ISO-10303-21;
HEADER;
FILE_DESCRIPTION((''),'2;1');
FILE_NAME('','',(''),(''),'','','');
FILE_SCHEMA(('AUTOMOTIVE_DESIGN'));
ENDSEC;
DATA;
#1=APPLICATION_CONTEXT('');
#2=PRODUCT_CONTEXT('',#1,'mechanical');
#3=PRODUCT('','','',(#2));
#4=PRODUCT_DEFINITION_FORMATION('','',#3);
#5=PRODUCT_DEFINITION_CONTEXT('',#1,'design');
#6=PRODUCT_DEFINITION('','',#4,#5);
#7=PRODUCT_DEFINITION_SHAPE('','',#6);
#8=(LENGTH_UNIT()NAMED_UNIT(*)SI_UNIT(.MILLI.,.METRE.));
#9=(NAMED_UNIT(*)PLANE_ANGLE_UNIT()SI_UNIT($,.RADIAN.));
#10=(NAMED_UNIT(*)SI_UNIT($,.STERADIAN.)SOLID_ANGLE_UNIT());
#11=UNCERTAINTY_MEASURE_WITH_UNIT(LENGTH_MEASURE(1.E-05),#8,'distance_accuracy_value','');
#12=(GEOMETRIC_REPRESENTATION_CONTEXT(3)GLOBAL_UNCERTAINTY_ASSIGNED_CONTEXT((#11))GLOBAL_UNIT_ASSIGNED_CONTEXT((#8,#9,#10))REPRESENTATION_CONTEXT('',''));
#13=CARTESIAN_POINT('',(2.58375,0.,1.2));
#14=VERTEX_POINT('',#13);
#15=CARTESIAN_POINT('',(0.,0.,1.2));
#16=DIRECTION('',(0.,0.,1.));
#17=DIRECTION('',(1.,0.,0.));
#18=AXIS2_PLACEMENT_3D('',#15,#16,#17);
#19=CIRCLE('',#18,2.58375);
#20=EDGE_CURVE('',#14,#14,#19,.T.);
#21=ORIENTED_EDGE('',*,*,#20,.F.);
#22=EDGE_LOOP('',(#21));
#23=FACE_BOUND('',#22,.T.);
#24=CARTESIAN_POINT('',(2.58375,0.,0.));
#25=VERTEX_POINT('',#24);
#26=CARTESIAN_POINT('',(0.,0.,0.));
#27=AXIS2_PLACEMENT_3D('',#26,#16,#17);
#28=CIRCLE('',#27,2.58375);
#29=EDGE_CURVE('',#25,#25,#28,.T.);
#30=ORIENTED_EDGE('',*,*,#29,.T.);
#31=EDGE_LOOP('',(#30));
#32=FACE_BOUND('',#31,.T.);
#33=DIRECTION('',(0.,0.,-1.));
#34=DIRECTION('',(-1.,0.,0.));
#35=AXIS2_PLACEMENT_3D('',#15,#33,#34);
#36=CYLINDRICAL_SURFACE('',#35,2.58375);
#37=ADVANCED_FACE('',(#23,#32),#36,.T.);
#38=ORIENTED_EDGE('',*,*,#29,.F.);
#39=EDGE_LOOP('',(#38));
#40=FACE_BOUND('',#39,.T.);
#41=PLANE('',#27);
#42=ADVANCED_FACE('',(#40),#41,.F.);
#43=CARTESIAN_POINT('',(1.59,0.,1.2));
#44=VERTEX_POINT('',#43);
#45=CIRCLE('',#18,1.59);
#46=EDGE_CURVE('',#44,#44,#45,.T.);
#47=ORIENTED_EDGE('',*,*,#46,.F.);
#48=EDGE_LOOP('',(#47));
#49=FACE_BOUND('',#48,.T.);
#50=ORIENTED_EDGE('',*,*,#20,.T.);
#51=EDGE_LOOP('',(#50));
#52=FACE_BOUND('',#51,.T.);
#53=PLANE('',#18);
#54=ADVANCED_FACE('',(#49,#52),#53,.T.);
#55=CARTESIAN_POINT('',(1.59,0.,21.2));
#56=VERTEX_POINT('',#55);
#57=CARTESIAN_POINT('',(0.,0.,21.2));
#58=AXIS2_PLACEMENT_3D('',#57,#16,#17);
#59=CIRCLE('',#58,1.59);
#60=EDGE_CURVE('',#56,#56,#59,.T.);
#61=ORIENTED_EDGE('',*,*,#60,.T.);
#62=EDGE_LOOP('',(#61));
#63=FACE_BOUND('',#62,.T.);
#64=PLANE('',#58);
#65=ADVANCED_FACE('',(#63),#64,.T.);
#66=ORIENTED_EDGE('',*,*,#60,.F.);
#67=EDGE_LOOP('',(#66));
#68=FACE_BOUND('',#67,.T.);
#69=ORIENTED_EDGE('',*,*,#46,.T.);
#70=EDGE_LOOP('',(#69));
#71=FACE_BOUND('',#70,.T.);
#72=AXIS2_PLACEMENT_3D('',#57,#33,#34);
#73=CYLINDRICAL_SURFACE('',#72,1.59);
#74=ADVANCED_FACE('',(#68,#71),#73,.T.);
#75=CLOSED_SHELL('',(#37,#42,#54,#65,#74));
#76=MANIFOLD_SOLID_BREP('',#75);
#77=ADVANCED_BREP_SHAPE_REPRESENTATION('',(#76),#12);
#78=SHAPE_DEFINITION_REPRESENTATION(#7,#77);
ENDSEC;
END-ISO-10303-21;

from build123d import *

# Parameters (mm, degrees)
SKETCH1_R           = 2.58375
BOSS_EXTRUDE1_DEPTH = 1.2
SKETCH2_R           = 1.59
BOSS_EXTRUDE2_DEPTH = 20


with BuildPart() as part:
    # Sketch1 → Boss-Extrude1 (new body)
    with BuildSketch(Plane.XY):
        Circle(SKETCH1_R)
    extrude(amount=BOSS_EXTRUDE1_DEPTH)

    # Sketch2 → Boss-Extrude2 (add)
    with BuildSketch(Plane.XY.offset(1.2)):
        Circle(SKETCH2_R)
    extrude(amount=BOSS_EXTRUDE2_DEPTH)


solid = part.part
